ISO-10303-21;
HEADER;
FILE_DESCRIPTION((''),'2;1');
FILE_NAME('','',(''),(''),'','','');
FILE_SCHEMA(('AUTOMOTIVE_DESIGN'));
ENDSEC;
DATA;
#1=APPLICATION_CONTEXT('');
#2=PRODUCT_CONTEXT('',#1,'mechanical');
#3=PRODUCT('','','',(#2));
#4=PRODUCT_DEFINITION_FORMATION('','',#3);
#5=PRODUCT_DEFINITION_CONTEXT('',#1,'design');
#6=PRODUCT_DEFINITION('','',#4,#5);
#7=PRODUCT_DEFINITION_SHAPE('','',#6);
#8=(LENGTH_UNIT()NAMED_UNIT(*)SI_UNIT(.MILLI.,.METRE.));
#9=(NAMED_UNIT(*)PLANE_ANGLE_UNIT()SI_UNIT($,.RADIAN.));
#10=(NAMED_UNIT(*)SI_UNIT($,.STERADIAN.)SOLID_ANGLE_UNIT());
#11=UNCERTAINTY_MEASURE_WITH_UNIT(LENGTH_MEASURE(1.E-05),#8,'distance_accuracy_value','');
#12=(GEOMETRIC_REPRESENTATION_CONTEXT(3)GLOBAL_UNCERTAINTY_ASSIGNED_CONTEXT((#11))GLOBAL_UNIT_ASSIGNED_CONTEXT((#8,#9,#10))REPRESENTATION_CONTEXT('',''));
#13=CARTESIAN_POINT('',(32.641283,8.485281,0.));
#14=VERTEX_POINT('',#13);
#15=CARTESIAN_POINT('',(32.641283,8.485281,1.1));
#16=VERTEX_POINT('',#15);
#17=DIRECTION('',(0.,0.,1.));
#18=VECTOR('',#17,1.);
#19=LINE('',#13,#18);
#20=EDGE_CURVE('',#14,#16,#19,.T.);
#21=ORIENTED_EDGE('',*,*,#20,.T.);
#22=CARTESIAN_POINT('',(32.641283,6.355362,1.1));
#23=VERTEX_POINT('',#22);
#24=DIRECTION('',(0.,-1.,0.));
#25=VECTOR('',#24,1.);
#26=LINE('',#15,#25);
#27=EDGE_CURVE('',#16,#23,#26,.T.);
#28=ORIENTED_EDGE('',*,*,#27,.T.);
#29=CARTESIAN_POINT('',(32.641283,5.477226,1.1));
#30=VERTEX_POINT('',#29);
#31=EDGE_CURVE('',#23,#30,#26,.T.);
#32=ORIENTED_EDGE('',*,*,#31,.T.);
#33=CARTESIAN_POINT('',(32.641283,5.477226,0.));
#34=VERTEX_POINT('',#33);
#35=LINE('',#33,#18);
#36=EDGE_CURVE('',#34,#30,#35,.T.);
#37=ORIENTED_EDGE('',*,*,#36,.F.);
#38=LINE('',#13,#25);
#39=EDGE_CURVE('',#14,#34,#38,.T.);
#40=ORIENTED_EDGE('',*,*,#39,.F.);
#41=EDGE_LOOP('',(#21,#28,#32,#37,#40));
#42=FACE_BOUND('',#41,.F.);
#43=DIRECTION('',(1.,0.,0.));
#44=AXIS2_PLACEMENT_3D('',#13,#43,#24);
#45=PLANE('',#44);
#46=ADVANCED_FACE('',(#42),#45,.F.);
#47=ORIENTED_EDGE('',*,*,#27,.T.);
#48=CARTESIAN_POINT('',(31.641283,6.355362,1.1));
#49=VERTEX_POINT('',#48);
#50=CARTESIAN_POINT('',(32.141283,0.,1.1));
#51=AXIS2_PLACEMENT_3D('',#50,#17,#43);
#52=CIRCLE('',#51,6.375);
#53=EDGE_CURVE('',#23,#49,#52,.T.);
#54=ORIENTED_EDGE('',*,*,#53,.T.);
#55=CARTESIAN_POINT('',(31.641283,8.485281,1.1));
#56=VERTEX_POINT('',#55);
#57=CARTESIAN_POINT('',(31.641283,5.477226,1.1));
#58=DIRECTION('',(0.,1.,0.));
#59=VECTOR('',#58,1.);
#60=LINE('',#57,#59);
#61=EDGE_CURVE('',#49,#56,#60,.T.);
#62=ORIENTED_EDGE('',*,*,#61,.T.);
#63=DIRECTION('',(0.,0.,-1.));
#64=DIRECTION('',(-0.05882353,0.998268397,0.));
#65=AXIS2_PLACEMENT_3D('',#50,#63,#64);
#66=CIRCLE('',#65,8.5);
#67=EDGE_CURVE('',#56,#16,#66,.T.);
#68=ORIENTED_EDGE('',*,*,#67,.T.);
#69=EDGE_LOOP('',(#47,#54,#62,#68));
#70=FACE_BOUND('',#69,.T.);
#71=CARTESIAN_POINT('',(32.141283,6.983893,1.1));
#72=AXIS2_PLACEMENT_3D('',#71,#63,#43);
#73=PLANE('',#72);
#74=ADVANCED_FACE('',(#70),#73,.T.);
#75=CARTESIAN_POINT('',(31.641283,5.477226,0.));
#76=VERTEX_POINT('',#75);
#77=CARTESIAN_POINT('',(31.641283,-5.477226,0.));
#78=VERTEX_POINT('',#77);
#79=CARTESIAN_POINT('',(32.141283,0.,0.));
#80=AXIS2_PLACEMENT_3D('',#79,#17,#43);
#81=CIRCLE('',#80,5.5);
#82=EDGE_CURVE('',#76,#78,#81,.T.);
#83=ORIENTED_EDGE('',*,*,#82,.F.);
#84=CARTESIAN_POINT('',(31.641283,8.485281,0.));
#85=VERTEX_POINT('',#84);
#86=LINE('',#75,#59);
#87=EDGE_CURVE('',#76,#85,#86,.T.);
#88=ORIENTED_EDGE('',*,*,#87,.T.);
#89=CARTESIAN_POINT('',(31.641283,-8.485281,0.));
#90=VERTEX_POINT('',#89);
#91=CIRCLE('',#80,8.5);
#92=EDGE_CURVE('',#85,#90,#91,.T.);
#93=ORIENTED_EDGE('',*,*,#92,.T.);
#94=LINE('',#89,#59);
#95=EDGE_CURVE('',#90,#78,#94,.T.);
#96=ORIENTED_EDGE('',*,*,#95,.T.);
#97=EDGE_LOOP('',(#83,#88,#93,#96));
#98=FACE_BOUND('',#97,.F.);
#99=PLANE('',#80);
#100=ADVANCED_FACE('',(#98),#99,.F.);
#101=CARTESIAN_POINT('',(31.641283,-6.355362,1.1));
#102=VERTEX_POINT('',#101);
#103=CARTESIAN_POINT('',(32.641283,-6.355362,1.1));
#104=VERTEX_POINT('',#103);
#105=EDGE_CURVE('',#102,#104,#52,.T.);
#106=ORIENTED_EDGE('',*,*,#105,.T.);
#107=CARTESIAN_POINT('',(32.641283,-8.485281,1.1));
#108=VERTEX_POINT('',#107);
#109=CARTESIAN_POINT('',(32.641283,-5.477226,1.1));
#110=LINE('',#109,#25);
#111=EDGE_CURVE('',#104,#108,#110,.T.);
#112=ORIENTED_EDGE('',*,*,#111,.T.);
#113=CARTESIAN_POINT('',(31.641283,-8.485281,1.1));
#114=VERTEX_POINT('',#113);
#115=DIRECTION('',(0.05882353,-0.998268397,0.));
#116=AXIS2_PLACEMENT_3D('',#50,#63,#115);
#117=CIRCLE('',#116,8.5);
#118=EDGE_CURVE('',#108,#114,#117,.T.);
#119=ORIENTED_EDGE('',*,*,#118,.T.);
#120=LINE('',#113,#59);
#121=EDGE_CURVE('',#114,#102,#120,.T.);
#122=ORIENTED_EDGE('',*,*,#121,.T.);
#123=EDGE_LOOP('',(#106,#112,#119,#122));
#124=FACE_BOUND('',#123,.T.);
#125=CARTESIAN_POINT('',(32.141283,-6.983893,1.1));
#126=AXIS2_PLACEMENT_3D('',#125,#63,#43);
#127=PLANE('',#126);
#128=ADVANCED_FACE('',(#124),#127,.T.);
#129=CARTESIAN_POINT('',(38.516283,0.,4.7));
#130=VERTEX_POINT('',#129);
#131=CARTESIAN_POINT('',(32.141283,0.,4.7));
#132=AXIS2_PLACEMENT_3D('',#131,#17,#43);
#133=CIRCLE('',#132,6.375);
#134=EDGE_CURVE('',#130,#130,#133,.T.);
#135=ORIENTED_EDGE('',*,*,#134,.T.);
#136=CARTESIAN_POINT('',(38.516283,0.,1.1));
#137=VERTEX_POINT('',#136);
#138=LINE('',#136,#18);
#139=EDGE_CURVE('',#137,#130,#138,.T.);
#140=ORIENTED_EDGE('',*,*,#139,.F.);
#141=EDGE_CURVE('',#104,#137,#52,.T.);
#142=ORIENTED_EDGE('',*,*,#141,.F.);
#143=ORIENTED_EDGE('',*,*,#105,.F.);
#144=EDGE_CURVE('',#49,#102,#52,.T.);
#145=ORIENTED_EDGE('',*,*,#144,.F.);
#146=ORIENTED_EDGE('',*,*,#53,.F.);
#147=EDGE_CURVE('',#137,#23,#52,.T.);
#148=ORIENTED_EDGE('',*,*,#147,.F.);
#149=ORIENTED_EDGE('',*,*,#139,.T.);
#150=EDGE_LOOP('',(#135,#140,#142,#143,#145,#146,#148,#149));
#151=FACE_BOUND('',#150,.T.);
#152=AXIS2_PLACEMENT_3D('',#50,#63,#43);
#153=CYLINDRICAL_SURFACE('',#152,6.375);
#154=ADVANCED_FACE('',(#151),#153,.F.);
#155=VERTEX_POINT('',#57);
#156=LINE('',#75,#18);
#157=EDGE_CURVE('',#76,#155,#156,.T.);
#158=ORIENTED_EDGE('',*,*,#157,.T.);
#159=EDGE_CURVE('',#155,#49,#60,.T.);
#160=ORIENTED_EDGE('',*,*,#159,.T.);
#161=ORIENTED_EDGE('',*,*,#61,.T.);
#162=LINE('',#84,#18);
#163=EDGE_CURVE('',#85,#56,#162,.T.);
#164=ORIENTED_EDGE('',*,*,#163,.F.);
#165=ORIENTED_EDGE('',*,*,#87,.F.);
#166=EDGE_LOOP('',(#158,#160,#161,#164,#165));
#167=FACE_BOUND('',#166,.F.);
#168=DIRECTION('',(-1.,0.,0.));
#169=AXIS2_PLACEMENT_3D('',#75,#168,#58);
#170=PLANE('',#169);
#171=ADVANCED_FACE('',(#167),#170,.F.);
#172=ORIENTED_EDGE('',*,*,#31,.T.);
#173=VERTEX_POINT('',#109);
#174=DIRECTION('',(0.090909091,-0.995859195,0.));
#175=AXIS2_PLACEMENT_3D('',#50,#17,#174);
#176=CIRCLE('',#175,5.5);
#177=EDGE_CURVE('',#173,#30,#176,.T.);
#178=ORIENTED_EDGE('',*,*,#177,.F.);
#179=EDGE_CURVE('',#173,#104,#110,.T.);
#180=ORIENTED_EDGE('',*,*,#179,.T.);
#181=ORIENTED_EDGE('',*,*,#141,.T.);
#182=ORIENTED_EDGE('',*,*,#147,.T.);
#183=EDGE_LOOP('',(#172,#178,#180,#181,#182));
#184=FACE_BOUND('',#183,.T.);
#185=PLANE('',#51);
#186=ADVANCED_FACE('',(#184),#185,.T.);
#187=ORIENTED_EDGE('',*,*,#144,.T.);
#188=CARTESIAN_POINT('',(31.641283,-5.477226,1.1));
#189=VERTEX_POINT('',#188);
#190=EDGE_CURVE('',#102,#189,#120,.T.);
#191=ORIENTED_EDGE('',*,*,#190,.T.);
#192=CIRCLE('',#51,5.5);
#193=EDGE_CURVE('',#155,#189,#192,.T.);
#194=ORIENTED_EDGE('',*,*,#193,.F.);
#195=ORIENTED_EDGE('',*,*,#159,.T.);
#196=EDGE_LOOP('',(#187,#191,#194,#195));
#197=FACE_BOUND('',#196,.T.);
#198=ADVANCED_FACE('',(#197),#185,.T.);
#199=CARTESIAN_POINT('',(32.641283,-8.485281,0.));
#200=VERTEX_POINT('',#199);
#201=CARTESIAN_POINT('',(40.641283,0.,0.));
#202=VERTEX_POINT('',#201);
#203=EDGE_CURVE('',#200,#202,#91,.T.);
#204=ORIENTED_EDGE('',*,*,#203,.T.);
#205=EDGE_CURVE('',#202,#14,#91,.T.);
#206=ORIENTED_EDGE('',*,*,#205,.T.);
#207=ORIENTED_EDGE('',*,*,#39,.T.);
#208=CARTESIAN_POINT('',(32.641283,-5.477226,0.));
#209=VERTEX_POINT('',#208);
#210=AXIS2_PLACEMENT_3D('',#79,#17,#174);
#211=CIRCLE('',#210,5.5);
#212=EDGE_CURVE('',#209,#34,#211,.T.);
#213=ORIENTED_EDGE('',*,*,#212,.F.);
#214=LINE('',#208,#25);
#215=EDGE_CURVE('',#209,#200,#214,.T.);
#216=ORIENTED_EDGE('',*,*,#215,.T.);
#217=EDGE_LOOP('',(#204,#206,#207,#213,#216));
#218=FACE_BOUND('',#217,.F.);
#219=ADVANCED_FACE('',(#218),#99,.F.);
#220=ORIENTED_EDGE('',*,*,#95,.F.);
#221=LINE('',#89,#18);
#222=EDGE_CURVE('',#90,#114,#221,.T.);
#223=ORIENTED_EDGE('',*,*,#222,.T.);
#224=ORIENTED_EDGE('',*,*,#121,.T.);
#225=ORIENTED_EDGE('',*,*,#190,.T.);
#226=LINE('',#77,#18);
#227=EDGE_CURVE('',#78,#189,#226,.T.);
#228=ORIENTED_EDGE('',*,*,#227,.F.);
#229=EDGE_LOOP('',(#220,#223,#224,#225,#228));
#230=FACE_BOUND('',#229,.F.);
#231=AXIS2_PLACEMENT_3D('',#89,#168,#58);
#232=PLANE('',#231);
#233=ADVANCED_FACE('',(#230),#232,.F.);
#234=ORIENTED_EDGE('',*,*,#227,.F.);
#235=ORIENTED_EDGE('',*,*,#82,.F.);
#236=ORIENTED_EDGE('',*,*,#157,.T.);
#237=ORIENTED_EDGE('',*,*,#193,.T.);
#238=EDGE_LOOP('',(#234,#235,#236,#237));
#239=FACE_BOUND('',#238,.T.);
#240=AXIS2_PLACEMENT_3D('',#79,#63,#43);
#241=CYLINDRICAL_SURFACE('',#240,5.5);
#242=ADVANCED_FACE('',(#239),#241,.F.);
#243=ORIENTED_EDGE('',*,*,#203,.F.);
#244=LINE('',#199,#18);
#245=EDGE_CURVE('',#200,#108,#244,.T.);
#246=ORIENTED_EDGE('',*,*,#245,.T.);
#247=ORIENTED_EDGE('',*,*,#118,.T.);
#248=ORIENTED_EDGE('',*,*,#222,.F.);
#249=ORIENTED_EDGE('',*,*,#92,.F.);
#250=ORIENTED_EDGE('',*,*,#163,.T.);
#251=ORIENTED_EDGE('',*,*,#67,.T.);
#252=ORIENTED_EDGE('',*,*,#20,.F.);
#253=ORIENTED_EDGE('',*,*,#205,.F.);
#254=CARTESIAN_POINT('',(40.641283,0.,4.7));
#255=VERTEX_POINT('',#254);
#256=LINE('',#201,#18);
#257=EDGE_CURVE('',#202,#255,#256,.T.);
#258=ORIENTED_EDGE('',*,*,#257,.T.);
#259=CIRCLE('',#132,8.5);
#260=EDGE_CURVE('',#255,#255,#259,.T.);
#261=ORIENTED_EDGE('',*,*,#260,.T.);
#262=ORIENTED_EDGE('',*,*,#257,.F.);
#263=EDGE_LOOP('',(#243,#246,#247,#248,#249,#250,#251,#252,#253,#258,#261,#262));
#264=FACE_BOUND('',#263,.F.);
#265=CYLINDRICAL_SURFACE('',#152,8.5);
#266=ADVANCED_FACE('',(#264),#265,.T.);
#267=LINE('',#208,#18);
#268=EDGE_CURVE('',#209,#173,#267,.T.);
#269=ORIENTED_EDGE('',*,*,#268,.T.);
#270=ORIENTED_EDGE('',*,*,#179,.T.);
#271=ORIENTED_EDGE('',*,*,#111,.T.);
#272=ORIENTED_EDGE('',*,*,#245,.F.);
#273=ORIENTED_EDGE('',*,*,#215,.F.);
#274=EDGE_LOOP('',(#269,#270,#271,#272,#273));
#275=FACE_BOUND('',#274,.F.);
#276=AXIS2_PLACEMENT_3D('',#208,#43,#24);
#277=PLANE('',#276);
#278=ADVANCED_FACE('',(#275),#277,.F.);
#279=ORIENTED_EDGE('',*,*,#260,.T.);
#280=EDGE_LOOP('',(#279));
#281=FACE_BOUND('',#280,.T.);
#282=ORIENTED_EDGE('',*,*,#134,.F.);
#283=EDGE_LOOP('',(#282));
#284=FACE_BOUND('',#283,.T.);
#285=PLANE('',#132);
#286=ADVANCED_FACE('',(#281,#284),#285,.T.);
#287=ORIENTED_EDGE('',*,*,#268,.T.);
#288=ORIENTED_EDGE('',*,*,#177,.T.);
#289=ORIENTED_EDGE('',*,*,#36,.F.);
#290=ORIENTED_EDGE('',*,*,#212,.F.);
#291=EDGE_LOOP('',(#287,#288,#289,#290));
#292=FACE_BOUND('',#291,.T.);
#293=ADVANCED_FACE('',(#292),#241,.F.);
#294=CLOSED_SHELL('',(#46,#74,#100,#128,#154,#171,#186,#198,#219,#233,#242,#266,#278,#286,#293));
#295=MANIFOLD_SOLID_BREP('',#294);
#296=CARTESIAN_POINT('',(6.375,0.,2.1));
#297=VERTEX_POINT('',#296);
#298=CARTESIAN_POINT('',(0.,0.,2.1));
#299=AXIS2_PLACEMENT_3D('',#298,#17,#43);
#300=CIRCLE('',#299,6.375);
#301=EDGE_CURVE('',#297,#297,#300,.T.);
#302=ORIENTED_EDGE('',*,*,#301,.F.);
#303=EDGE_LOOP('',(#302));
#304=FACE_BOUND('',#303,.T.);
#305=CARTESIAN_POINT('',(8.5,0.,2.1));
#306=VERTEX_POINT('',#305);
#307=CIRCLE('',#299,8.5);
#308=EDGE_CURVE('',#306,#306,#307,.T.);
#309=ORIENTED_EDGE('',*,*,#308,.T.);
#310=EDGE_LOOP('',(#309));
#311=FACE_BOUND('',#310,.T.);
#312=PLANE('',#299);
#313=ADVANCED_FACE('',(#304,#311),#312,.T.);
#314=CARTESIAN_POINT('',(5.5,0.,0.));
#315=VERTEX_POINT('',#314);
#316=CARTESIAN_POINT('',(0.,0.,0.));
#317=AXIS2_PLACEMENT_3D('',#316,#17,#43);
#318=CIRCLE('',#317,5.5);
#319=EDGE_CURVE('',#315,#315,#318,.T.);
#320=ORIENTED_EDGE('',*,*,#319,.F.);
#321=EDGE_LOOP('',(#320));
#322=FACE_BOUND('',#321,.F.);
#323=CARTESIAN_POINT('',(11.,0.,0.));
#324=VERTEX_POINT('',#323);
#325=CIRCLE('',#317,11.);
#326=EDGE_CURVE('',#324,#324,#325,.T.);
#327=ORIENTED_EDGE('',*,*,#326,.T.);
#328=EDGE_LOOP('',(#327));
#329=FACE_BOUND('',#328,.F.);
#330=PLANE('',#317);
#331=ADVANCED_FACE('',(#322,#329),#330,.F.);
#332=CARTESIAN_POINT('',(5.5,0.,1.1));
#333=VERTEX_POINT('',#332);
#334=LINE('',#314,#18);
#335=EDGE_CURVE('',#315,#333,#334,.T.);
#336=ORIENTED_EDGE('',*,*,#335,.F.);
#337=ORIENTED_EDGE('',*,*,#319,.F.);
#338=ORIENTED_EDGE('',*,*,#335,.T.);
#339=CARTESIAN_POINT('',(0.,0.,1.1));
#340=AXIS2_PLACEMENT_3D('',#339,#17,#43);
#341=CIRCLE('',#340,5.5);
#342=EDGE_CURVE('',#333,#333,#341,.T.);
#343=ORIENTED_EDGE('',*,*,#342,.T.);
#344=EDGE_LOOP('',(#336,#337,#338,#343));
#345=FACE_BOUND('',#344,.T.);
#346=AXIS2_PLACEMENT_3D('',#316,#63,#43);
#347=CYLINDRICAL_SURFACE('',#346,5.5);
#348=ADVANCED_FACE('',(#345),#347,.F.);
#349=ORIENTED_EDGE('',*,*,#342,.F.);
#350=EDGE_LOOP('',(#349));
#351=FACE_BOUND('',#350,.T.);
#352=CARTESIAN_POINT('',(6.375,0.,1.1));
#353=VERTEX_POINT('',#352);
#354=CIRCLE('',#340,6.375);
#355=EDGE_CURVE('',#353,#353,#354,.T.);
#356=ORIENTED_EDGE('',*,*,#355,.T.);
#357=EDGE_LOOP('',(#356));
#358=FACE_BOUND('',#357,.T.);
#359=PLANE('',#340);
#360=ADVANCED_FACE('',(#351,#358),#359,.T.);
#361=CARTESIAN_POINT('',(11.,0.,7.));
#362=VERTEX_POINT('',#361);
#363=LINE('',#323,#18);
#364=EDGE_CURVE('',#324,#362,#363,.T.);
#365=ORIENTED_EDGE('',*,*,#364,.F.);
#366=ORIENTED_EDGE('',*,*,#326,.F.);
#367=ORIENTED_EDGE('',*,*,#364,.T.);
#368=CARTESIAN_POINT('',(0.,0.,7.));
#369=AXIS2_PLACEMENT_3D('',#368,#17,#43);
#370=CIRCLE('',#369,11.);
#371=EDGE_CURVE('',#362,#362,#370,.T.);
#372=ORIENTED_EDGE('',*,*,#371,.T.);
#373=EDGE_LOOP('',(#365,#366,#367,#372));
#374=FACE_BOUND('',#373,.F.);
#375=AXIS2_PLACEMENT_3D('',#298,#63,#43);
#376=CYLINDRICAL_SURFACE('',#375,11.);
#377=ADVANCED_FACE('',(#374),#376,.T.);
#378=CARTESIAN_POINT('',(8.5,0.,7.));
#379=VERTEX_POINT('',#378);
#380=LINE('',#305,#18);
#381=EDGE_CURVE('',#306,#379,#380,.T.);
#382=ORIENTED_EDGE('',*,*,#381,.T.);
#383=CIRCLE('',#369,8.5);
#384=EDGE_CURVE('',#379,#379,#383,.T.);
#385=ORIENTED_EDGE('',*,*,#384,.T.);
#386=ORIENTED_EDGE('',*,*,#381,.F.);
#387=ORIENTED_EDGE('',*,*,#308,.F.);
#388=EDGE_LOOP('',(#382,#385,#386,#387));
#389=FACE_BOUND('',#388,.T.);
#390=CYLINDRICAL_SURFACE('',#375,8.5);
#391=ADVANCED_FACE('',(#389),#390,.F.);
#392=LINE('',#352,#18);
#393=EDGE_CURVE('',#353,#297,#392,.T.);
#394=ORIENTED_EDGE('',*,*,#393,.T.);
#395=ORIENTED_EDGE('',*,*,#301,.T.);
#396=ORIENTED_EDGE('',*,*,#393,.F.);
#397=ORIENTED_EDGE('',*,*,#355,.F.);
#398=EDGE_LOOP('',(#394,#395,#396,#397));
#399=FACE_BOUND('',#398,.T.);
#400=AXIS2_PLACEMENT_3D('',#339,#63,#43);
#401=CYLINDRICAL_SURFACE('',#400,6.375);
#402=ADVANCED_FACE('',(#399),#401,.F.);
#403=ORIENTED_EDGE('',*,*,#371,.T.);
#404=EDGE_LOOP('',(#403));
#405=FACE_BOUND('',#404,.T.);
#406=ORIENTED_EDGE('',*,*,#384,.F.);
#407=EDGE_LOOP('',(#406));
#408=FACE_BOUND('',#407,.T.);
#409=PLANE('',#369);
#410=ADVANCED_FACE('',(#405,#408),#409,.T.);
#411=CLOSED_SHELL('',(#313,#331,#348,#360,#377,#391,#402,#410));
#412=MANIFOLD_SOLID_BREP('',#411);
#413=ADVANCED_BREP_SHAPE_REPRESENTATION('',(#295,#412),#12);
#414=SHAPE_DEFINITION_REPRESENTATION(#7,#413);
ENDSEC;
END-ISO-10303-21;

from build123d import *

# Parameters (mm, degrees)
F0_R      = 11
F0_R_2    = 5.5
F1_DEPTH  = 1.1
F2_R      = 11
F2_R_2    = 6.375
F3_DEPTH  = 1
F4_R      = 11
F4_R_2    = 8.5
F5_DEPTH  = 4.9
F6_R      = 8.5
F6_R_2    = 5.5
F7_DEPTH  = 1.1
F8_R      = 8.5
F8_R_2    = 6.375
F9_DEPTH  = 3.6
F11_DEPTH = 1.1


with BuildPart() as f1:
    # F0 (on Top) → F1 (new body)
    with BuildSketch(Plane.XY):
        Circle(F0_R)
        Circle(F0_R_2, mode=Mode.SUBTRACT)
    extrude(amount=F1_DEPTH)

    # F2 (on face) → F3 (join)
    with BuildSketch(Plane.XY.offset(1.1)):
        Circle(F2_R)
        Circle(F2_R_2, mode=Mode.SUBTRACT)
    extrude(amount=F3_DEPTH)

    # F4 (on face) → F5 (join)
    with BuildSketch(Plane.XY.offset(2.1)):
        Circle(F4_R)
        Circle(F4_R_2, mode=Mode.SUBTRACT)
    extrude(amount=F5_DEPTH)


with BuildPart() as f7:
    # F6 (on Top) → F7 (new body)
    with BuildSketch(Plane.XY):
        with Locations((32.1412831545, 0)):
            Circle(F6_R)
        with Locations((32.1412831545, 0)):
            Circle(F6_R_2, mode=Mode.SUBTRACT)
    extrude(amount=F7_DEPTH)

    # F8 (on face) → F9 (join)
    with BuildSketch(Plane.XY.offset(1.1)):
        with Locations((32.1412831545, 0)):
            Circle(F8_R)
        with Locations((32.1412831545, 0)):
            Circle(F8_R_2, mode=Mode.SUBTRACT)
    extrude(amount=F9_DEPTH)

    # F10 (on face) → F11 (cut)
    with BuildSketch(Plane(origin=(0, 0, 0), x_dir=(1, 0, 0), z_dir=(0, 0, -1))):
        with BuildLine():
            ThreePointArc((31.6412831545, 5.4772255751), (32.1412831545, 5.5), (32.6412831545, 5.4772255751))
            Line((32.6412831545, 5.4772255751), (32.6412831545, 8.4852813742))
            ThreePointArc((32.6412831545, 8.4852813742), (32.1412831545, 8.5), (31.6412831545, 8.4852813742))
            Line((31.6412831545, 8.4852813742), (31.6412831545, 5.4772255751))
        make_face()
        with BuildLine():
            Line((32.6412831545, -8.4852813742), (32.6412831545, -5.4772255751))
            ThreePointArc((32.6412831545, -5.4772255751), (32.1412831545, -5.5), (31.6412831545, -5.4772255751))
            Line((31.6412831545, -5.4772255751), (31.6412831545, -8.4852813742))
            ThreePointArc((31.6412831545, -8.4852813742), (32.1412831545, -8.5), (32.6412831545, -8.4852813742))
        make_face()
    extrude(amount=-F11_DEPTH, mode=Mode.SUBTRACT)


solid = Compound([f1.part, f7.part])
